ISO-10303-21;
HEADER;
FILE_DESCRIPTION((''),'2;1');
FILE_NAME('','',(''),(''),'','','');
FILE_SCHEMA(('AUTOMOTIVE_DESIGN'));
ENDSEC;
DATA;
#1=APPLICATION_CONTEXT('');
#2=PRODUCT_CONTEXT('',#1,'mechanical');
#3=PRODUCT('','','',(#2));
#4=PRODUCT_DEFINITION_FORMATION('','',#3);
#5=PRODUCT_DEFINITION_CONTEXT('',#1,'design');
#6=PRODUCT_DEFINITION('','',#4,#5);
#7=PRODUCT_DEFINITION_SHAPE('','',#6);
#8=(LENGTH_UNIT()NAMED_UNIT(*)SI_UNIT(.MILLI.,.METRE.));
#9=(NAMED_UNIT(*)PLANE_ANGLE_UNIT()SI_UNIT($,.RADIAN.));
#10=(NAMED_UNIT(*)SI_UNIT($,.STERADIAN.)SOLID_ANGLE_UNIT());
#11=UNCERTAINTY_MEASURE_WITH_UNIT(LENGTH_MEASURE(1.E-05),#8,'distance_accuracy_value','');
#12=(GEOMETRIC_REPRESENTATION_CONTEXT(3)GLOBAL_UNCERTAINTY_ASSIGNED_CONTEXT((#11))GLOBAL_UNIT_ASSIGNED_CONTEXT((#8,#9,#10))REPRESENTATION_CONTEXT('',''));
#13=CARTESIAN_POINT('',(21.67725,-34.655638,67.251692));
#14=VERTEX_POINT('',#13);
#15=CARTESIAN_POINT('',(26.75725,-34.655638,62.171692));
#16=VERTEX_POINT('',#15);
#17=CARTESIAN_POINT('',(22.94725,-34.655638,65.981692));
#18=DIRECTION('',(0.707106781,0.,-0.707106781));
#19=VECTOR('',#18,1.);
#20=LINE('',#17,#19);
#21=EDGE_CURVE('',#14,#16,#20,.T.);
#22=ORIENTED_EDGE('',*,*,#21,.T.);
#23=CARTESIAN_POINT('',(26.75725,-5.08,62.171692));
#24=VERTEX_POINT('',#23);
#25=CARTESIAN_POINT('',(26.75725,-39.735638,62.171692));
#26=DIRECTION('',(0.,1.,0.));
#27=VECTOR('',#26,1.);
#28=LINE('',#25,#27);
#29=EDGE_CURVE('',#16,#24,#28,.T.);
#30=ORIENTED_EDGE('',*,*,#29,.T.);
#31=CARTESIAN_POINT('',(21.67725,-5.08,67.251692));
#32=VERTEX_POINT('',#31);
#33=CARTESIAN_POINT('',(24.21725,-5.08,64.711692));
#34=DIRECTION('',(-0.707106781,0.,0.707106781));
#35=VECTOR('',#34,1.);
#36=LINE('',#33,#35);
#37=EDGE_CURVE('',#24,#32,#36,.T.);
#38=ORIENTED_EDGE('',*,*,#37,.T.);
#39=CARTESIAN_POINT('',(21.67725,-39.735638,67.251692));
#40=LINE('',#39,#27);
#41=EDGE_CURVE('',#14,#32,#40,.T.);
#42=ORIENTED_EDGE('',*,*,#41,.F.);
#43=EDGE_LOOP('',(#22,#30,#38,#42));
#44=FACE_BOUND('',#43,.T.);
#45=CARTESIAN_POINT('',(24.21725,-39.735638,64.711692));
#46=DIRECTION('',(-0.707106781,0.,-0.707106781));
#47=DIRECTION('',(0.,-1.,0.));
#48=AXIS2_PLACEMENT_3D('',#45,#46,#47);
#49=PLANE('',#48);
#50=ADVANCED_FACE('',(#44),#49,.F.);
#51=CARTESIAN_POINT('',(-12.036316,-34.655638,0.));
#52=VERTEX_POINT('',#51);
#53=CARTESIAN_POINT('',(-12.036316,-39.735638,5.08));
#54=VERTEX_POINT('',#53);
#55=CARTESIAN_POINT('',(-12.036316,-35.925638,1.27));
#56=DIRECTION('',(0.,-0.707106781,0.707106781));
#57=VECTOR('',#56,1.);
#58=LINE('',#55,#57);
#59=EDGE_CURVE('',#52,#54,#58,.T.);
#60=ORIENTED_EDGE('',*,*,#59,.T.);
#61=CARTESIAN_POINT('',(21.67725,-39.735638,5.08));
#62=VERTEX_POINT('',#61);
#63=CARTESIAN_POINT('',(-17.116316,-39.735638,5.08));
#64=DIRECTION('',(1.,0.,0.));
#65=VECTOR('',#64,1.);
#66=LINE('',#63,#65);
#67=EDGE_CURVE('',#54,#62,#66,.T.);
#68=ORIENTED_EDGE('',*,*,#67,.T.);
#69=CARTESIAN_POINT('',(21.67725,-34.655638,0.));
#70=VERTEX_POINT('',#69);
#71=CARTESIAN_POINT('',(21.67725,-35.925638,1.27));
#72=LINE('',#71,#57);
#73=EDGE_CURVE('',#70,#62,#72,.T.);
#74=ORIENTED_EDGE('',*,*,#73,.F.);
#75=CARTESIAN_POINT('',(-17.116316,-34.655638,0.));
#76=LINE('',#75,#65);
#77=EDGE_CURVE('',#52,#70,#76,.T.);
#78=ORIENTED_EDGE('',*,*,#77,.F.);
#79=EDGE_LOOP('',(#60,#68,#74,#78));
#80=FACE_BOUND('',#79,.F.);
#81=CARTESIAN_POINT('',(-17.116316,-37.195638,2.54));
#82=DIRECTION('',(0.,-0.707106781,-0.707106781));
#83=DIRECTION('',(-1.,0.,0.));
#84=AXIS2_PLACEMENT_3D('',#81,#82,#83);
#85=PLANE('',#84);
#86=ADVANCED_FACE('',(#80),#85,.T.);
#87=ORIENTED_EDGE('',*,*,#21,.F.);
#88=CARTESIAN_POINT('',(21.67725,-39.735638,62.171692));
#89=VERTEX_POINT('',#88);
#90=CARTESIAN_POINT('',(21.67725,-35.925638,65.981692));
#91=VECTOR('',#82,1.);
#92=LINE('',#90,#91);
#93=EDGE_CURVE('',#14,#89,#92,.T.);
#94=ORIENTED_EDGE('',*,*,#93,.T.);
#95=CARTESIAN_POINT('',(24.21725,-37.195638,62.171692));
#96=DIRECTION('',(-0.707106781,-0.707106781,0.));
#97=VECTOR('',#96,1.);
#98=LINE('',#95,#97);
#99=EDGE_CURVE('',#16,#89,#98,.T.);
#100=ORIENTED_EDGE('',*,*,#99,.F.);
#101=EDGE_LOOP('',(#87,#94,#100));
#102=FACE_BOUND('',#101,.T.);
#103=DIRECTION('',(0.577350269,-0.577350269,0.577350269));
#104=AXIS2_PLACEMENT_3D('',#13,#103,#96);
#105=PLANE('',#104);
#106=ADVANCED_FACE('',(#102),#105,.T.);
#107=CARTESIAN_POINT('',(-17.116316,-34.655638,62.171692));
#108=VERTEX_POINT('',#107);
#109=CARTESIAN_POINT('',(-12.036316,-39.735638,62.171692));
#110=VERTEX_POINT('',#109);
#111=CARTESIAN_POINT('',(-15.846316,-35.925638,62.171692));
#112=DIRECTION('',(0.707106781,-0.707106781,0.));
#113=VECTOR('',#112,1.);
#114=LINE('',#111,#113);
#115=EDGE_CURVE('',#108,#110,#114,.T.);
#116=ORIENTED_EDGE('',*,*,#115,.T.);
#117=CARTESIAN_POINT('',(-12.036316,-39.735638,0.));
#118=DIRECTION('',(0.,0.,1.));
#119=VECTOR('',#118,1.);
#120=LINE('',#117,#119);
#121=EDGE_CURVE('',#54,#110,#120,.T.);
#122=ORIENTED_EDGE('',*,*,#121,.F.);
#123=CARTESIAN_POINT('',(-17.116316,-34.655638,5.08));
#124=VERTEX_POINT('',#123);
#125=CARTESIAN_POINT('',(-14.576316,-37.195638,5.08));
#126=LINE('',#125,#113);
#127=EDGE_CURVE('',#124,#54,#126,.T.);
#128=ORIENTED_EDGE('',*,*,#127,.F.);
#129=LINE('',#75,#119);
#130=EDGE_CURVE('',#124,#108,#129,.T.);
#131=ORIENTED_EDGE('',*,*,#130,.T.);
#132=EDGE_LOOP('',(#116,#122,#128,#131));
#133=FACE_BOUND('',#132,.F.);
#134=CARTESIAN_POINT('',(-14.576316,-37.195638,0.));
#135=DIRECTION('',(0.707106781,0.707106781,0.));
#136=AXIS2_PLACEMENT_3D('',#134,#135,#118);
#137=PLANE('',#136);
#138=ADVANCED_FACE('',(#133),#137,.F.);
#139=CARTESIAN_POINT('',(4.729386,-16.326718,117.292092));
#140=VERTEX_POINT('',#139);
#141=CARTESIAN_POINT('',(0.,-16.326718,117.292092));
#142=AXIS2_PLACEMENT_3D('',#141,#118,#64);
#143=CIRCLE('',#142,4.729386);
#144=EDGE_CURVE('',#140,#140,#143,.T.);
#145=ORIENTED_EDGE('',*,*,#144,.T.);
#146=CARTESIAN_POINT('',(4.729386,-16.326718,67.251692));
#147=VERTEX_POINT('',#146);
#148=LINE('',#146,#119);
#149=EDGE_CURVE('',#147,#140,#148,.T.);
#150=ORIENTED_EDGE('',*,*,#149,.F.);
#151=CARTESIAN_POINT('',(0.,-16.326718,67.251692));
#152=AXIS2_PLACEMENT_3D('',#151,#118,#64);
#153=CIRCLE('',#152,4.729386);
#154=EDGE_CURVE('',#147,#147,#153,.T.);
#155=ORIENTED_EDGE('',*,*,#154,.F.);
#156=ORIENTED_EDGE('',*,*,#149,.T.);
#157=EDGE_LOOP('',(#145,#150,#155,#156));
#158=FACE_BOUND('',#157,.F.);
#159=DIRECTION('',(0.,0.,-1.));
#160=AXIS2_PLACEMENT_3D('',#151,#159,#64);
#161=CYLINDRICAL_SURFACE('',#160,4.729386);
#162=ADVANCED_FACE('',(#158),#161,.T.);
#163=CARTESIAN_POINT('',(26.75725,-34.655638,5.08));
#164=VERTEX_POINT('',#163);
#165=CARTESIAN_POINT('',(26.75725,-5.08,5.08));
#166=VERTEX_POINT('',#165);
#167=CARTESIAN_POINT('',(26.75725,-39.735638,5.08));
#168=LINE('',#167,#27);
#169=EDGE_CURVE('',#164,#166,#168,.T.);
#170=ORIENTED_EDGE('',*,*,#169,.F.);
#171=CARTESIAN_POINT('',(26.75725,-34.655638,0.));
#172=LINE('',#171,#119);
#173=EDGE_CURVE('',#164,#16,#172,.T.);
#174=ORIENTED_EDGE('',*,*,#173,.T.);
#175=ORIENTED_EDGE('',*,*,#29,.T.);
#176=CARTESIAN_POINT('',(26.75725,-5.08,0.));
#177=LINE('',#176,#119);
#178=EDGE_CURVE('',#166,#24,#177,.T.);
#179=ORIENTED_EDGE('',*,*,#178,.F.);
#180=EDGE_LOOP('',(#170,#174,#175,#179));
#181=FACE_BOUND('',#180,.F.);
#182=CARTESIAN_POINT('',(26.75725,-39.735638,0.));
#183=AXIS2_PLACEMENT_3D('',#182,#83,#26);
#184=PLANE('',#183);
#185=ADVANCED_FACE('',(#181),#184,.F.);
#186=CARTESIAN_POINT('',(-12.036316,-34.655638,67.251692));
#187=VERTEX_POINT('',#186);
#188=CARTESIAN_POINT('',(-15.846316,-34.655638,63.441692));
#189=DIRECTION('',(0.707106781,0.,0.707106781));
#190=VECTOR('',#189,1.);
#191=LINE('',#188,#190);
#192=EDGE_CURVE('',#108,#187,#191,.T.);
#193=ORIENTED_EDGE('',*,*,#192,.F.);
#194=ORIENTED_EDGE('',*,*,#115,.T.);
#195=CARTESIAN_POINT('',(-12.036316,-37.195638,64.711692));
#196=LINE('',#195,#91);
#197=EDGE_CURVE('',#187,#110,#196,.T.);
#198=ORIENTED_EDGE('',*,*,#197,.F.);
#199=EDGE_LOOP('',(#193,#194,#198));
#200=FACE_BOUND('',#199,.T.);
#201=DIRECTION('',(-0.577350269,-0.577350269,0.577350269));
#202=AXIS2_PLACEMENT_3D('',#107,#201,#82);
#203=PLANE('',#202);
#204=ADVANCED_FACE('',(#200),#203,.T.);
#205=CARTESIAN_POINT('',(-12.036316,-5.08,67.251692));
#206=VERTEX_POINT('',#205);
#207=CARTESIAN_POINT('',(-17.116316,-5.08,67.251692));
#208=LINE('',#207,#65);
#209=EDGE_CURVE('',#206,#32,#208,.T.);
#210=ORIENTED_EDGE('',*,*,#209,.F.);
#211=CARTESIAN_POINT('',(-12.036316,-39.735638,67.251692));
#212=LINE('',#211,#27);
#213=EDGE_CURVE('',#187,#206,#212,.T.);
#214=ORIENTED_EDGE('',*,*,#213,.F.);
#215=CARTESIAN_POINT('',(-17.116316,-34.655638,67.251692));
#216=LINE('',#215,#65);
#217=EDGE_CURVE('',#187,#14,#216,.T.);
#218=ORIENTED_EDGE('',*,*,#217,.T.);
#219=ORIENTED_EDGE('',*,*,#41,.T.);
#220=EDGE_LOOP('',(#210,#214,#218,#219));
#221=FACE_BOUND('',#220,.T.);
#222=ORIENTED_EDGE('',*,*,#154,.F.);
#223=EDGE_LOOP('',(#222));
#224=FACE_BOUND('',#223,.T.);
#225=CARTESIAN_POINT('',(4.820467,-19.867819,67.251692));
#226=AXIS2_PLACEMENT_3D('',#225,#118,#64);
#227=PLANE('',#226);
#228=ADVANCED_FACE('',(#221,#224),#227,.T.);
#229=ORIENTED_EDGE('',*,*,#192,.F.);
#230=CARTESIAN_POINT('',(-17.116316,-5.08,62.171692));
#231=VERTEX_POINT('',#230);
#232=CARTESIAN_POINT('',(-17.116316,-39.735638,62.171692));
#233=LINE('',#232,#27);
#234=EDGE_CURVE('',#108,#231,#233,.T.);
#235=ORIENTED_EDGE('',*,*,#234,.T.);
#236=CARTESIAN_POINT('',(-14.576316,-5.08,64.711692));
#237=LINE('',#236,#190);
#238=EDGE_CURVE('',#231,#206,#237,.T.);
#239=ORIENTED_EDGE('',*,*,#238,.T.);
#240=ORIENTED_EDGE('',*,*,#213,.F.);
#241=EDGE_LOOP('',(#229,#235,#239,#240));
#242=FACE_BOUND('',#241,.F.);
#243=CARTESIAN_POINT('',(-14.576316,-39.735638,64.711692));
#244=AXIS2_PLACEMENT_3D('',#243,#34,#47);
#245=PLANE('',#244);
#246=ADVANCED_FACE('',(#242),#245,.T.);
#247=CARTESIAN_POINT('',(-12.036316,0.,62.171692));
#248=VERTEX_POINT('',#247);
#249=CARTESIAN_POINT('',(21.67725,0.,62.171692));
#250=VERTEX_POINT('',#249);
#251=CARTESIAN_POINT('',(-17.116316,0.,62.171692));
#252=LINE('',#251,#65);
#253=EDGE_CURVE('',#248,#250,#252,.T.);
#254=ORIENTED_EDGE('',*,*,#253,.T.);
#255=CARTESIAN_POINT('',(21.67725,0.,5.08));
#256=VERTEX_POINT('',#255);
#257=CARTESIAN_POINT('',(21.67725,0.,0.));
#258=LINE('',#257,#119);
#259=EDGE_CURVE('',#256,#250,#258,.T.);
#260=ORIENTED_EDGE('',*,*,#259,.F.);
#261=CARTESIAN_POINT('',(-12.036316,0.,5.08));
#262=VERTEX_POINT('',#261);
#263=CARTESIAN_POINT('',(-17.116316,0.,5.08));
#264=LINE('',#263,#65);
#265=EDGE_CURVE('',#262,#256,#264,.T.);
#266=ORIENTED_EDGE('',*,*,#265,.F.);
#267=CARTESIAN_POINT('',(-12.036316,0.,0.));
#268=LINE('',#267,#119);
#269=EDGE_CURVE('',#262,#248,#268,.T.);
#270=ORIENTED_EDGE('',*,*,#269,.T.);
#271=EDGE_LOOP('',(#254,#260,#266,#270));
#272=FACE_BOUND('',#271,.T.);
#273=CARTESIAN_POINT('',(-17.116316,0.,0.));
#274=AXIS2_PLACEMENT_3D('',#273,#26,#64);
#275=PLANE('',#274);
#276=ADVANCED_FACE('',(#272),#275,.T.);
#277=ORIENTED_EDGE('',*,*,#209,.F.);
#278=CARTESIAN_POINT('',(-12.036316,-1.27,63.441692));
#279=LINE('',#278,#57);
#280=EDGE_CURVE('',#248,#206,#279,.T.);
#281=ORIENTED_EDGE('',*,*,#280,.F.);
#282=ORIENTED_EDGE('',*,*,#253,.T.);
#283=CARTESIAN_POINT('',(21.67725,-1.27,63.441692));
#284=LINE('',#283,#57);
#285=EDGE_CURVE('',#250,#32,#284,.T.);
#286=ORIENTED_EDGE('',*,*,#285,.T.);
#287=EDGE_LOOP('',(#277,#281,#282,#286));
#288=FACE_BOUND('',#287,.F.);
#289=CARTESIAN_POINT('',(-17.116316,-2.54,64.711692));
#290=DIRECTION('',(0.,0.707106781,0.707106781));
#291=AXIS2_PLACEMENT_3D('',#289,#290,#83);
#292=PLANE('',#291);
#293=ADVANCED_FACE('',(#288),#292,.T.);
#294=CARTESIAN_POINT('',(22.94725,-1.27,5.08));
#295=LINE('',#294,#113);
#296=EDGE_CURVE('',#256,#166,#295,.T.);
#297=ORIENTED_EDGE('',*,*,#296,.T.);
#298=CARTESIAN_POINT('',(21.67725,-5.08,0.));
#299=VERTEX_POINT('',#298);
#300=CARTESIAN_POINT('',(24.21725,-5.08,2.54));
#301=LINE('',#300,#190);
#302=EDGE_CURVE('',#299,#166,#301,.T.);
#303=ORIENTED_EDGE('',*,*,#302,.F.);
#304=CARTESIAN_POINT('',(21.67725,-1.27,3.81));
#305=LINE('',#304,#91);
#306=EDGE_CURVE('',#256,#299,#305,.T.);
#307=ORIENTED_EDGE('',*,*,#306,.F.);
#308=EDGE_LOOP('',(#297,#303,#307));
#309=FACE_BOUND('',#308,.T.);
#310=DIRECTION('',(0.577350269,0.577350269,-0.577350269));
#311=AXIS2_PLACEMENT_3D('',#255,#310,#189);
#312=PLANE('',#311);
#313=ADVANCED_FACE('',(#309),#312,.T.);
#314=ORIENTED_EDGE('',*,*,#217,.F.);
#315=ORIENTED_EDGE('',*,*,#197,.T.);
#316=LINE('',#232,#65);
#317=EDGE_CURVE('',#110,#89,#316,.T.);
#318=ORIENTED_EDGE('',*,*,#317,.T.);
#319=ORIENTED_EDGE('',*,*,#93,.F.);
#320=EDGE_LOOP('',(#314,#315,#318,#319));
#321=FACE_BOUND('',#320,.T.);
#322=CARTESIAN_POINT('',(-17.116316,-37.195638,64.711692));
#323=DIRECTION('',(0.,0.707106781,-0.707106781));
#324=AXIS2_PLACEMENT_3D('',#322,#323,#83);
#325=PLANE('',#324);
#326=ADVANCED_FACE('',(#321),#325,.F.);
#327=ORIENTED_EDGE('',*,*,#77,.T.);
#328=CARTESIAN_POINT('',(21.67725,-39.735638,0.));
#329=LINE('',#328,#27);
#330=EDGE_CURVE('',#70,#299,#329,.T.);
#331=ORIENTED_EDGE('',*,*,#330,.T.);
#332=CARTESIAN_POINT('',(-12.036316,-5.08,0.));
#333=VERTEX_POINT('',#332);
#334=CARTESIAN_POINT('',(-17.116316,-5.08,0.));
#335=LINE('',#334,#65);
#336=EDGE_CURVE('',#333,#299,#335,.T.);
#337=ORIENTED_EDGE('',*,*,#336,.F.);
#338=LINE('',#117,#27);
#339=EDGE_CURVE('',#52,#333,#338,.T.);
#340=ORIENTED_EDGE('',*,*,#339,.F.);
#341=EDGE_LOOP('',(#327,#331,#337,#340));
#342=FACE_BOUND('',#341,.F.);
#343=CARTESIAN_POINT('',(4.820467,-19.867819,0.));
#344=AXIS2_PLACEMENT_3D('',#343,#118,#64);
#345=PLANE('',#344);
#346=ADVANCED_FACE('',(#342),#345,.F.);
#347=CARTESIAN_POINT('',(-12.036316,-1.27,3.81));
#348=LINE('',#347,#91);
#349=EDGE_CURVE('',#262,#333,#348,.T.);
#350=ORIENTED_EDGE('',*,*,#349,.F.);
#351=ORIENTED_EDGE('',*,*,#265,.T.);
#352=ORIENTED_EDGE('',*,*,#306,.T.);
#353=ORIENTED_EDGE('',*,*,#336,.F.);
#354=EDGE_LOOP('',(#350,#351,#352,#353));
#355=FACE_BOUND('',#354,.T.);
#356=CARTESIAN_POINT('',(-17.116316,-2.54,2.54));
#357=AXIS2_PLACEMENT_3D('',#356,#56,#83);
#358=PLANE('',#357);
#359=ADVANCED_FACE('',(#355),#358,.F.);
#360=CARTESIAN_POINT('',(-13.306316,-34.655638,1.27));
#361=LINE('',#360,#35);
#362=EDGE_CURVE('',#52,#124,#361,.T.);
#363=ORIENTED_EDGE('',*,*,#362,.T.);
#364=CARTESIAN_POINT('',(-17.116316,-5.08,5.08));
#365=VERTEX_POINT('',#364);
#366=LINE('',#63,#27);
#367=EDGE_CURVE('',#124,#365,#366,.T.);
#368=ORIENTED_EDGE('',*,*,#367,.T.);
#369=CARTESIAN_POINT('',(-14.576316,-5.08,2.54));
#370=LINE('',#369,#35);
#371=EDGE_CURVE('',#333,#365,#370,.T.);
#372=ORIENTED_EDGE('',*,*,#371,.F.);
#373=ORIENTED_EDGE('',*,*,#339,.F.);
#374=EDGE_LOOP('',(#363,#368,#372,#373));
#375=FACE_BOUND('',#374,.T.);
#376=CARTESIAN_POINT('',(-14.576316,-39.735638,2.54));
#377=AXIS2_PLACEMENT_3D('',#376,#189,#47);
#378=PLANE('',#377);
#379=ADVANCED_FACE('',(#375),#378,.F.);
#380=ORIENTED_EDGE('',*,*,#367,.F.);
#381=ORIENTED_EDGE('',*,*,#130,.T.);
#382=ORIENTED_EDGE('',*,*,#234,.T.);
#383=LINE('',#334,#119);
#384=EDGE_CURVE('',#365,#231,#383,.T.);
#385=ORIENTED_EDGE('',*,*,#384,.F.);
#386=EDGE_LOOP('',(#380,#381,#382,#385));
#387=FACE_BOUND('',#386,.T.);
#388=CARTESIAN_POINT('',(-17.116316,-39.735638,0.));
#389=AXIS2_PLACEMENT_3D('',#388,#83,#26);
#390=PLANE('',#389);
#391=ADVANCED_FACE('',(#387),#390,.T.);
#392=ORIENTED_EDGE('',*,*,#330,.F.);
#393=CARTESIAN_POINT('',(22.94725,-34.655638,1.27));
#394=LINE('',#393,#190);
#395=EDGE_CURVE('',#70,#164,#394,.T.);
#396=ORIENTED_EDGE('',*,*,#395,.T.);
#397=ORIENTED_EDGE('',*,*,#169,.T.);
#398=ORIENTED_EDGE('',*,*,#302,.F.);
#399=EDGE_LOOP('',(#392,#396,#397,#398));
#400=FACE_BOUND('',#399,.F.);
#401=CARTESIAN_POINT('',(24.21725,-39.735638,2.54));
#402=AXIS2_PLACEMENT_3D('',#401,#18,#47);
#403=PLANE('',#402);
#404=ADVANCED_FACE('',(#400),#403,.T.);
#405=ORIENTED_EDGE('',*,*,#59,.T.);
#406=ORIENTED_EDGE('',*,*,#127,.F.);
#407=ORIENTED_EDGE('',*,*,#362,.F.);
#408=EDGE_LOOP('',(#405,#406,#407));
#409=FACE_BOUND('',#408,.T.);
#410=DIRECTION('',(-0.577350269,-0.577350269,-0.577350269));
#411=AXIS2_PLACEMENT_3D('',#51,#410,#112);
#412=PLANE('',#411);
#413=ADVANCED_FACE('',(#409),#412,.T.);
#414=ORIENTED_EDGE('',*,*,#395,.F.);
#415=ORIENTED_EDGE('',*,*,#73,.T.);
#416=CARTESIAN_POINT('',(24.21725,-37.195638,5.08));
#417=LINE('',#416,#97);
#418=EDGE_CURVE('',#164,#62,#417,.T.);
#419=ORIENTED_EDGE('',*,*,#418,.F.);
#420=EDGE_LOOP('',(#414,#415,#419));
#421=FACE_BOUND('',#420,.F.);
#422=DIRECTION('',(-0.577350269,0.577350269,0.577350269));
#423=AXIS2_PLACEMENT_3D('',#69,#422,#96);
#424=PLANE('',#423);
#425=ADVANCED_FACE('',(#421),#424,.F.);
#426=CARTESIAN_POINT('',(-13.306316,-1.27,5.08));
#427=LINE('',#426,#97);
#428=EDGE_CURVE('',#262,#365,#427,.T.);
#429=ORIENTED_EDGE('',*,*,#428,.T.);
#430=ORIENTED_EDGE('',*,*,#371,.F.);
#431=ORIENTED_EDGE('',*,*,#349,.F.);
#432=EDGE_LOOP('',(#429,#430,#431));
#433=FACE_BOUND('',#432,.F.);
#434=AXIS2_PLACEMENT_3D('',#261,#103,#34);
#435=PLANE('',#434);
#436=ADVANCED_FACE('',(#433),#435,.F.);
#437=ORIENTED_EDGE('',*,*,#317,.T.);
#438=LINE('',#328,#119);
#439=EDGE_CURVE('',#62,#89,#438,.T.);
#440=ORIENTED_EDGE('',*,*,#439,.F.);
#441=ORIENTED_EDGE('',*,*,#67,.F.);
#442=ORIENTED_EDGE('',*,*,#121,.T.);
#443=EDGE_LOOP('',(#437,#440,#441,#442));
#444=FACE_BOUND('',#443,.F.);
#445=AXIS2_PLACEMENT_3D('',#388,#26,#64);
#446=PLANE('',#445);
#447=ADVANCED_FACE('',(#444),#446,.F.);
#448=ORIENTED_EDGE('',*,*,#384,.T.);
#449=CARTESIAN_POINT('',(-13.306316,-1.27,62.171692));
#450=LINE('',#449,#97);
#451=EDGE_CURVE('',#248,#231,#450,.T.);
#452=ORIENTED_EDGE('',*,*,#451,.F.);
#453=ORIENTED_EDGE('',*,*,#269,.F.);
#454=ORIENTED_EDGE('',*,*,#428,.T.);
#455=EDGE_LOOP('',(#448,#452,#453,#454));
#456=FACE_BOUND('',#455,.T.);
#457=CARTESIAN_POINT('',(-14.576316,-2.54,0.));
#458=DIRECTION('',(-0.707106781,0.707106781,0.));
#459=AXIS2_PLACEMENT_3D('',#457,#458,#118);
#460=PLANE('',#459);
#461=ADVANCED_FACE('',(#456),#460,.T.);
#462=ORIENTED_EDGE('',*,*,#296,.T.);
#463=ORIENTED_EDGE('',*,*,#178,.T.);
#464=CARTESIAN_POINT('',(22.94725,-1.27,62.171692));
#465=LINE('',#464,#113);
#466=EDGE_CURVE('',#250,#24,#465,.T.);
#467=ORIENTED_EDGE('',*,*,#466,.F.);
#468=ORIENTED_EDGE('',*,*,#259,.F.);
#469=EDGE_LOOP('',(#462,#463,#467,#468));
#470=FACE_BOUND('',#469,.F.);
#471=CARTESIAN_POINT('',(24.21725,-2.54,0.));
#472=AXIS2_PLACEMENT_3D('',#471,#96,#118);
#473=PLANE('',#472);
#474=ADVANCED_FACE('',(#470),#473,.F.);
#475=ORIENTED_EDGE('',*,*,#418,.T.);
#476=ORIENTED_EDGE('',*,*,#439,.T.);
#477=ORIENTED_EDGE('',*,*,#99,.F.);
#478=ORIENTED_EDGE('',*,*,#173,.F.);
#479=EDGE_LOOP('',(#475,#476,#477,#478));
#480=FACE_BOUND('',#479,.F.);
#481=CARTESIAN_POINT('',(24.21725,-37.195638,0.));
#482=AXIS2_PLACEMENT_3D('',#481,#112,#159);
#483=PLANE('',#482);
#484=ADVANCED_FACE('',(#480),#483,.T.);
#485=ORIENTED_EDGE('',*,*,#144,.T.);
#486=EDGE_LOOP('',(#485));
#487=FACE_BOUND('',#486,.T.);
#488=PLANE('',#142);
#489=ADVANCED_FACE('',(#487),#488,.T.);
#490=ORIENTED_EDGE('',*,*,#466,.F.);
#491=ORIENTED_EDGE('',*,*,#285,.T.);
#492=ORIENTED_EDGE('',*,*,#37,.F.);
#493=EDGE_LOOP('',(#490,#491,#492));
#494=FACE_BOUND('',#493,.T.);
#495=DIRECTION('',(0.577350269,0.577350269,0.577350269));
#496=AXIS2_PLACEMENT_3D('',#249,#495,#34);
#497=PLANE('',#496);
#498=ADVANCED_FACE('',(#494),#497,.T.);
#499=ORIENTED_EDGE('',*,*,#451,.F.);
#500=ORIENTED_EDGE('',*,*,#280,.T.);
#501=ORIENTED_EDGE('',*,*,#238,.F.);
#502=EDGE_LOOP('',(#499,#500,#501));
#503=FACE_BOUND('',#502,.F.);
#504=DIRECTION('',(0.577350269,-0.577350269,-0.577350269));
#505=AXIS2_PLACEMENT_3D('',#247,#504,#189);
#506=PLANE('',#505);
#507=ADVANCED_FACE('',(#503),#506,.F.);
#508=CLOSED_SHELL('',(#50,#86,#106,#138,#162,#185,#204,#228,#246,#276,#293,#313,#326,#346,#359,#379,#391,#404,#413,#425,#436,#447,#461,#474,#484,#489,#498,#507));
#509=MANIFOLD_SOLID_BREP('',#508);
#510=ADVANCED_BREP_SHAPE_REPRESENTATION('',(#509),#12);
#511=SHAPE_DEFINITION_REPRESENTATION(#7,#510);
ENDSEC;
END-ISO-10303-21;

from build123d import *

# Parameters (mm, degrees)
F0_W     = 43.873566
F0_H     = 39.735638
F1_DEPTH = 67.251692
F2_SIZE  = 5.08
F3_R     = 4.729386
F4_DEPTH = 50.0404


with BuildPart() as f1:
    # F0 (on Top) → F1 (new body)
    with BuildSketch(Plane.XY):
        with Locations((4.820467, -19.867819)):
            Rectangle(F0_W, F0_H)
    extrude(amount=F1_DEPTH)

    # F2
    f2_edges = [f1.edges().sort_by_distance(p)[0] for p in [
        (26.75725, -39.735638, 33.625846),
        (26.75725, -19.867819, 67.251692),
        (4.820467, -39.735638, 67.251692),
        (-17.116316, -19.867819, 67.251692),
        (-17.116316, -39.735638, 33.625846),
        (-17.116316, -19.867819, 0),
        (26.75725, -19.867819, 0),
        (4.820467, 0, 0),
        (26.75725, 0, 33.625846),
        (-17.116316, 0, 33.625846),
        (4.820467, 0, 67.251692),
        (4.820467, -39.735638, 0),
    ]]
    chamfer(f2_edges, length=F2_SIZE)

    # F3 (on face) → F4 (join)
    with BuildSketch(Plane.XY.offset(67.251692)):
        with Locations((0, -16.326718)):
            Circle(F3_R)
    extrude(amount=F4_DEPTH)


solid = f1.part
